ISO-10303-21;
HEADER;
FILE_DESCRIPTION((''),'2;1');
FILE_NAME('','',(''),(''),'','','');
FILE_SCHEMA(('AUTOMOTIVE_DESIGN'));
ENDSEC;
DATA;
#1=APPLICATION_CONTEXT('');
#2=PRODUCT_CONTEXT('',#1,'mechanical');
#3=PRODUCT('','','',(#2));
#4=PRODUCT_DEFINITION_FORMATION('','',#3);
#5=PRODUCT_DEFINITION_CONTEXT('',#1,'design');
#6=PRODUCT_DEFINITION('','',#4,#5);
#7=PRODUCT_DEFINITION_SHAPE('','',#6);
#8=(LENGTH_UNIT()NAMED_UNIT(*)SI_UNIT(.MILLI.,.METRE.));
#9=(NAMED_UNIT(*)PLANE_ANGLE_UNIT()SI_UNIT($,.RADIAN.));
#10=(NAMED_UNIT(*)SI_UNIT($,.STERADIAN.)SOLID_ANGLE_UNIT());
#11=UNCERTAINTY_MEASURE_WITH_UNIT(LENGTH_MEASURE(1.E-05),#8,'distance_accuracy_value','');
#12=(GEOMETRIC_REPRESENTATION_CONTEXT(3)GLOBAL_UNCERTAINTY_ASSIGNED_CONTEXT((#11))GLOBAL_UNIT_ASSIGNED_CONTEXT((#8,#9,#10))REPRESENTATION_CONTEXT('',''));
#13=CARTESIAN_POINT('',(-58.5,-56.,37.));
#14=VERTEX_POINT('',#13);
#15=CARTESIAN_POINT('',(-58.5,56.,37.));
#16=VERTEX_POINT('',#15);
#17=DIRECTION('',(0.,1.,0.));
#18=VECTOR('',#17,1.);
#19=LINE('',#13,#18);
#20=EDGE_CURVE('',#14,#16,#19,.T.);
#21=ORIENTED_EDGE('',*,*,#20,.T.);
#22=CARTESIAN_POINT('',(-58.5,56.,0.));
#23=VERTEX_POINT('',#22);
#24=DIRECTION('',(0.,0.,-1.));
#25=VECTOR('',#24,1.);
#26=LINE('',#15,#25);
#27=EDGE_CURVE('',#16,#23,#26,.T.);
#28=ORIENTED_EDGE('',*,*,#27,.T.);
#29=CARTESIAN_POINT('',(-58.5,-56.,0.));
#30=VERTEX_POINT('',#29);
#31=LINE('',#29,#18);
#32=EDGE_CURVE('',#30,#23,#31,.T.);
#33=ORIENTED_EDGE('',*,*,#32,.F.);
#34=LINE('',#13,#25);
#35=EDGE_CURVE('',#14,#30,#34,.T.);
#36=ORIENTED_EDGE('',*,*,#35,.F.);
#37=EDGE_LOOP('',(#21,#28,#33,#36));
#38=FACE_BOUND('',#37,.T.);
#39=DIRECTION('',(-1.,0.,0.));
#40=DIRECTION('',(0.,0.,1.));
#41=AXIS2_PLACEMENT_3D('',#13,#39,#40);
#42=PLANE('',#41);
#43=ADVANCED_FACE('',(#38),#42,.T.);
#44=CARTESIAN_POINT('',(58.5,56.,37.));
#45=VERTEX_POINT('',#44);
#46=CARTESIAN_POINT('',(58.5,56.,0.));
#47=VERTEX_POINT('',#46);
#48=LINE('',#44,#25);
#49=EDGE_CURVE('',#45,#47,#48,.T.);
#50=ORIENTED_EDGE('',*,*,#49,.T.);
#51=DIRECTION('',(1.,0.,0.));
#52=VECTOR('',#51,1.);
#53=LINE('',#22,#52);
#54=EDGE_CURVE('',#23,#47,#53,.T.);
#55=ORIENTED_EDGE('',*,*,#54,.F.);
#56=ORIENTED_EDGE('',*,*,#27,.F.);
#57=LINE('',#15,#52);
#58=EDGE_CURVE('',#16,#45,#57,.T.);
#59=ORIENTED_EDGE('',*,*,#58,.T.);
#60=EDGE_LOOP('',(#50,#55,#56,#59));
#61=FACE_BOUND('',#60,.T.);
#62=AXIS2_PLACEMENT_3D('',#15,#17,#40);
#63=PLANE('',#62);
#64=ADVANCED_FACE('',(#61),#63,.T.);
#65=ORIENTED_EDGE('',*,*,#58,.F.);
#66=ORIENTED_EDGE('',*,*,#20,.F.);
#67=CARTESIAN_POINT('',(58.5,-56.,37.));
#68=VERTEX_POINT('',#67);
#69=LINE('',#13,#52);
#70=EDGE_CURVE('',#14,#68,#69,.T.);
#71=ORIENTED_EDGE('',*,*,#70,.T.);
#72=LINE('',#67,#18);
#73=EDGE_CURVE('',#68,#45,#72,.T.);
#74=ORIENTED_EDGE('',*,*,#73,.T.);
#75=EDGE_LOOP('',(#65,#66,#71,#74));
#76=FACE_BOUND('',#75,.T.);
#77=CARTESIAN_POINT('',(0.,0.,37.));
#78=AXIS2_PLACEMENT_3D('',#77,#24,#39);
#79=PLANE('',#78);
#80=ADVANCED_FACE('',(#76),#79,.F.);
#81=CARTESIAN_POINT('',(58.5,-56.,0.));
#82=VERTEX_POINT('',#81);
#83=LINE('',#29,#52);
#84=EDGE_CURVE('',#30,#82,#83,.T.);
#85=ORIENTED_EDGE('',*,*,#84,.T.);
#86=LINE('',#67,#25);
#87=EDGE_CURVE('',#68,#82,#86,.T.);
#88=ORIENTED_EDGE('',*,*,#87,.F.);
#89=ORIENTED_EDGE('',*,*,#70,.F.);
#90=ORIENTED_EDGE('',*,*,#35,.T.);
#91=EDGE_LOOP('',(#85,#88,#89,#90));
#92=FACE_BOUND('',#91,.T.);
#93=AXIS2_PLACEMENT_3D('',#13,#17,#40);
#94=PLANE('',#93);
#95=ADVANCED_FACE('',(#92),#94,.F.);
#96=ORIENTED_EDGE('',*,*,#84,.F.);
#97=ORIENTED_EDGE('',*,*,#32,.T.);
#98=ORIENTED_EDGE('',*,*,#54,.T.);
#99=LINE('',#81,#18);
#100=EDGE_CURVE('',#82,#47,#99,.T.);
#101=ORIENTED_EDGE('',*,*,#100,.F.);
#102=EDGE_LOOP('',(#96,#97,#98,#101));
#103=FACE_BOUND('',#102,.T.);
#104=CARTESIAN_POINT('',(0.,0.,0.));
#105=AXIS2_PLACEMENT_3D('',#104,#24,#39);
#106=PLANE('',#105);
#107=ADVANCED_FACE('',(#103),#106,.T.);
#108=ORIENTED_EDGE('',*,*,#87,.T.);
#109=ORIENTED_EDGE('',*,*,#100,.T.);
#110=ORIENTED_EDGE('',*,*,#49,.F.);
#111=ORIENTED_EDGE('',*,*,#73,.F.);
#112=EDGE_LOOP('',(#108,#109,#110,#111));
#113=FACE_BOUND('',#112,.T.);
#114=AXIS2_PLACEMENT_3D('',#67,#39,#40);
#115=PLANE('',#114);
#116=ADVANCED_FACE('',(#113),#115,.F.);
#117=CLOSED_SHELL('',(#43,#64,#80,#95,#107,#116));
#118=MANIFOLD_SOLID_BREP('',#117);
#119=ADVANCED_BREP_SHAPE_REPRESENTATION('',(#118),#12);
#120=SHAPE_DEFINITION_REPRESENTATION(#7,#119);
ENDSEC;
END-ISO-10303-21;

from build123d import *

# Parameters (mm, degrees)
SKETCH_1_W      = 117
SKETCH_1_H      = 112
EXTRUDE_1_DEPTH = 37


with BuildPart() as part:
    # 草图1 → 凸台-拉伸1 (new body)
    with BuildSketch(Plane.XY):
        Rectangle(SKETCH_1_W, SKETCH_1_H)
    extrude(amount=EXTRUDE_1_DEPTH)


solid = part.part
